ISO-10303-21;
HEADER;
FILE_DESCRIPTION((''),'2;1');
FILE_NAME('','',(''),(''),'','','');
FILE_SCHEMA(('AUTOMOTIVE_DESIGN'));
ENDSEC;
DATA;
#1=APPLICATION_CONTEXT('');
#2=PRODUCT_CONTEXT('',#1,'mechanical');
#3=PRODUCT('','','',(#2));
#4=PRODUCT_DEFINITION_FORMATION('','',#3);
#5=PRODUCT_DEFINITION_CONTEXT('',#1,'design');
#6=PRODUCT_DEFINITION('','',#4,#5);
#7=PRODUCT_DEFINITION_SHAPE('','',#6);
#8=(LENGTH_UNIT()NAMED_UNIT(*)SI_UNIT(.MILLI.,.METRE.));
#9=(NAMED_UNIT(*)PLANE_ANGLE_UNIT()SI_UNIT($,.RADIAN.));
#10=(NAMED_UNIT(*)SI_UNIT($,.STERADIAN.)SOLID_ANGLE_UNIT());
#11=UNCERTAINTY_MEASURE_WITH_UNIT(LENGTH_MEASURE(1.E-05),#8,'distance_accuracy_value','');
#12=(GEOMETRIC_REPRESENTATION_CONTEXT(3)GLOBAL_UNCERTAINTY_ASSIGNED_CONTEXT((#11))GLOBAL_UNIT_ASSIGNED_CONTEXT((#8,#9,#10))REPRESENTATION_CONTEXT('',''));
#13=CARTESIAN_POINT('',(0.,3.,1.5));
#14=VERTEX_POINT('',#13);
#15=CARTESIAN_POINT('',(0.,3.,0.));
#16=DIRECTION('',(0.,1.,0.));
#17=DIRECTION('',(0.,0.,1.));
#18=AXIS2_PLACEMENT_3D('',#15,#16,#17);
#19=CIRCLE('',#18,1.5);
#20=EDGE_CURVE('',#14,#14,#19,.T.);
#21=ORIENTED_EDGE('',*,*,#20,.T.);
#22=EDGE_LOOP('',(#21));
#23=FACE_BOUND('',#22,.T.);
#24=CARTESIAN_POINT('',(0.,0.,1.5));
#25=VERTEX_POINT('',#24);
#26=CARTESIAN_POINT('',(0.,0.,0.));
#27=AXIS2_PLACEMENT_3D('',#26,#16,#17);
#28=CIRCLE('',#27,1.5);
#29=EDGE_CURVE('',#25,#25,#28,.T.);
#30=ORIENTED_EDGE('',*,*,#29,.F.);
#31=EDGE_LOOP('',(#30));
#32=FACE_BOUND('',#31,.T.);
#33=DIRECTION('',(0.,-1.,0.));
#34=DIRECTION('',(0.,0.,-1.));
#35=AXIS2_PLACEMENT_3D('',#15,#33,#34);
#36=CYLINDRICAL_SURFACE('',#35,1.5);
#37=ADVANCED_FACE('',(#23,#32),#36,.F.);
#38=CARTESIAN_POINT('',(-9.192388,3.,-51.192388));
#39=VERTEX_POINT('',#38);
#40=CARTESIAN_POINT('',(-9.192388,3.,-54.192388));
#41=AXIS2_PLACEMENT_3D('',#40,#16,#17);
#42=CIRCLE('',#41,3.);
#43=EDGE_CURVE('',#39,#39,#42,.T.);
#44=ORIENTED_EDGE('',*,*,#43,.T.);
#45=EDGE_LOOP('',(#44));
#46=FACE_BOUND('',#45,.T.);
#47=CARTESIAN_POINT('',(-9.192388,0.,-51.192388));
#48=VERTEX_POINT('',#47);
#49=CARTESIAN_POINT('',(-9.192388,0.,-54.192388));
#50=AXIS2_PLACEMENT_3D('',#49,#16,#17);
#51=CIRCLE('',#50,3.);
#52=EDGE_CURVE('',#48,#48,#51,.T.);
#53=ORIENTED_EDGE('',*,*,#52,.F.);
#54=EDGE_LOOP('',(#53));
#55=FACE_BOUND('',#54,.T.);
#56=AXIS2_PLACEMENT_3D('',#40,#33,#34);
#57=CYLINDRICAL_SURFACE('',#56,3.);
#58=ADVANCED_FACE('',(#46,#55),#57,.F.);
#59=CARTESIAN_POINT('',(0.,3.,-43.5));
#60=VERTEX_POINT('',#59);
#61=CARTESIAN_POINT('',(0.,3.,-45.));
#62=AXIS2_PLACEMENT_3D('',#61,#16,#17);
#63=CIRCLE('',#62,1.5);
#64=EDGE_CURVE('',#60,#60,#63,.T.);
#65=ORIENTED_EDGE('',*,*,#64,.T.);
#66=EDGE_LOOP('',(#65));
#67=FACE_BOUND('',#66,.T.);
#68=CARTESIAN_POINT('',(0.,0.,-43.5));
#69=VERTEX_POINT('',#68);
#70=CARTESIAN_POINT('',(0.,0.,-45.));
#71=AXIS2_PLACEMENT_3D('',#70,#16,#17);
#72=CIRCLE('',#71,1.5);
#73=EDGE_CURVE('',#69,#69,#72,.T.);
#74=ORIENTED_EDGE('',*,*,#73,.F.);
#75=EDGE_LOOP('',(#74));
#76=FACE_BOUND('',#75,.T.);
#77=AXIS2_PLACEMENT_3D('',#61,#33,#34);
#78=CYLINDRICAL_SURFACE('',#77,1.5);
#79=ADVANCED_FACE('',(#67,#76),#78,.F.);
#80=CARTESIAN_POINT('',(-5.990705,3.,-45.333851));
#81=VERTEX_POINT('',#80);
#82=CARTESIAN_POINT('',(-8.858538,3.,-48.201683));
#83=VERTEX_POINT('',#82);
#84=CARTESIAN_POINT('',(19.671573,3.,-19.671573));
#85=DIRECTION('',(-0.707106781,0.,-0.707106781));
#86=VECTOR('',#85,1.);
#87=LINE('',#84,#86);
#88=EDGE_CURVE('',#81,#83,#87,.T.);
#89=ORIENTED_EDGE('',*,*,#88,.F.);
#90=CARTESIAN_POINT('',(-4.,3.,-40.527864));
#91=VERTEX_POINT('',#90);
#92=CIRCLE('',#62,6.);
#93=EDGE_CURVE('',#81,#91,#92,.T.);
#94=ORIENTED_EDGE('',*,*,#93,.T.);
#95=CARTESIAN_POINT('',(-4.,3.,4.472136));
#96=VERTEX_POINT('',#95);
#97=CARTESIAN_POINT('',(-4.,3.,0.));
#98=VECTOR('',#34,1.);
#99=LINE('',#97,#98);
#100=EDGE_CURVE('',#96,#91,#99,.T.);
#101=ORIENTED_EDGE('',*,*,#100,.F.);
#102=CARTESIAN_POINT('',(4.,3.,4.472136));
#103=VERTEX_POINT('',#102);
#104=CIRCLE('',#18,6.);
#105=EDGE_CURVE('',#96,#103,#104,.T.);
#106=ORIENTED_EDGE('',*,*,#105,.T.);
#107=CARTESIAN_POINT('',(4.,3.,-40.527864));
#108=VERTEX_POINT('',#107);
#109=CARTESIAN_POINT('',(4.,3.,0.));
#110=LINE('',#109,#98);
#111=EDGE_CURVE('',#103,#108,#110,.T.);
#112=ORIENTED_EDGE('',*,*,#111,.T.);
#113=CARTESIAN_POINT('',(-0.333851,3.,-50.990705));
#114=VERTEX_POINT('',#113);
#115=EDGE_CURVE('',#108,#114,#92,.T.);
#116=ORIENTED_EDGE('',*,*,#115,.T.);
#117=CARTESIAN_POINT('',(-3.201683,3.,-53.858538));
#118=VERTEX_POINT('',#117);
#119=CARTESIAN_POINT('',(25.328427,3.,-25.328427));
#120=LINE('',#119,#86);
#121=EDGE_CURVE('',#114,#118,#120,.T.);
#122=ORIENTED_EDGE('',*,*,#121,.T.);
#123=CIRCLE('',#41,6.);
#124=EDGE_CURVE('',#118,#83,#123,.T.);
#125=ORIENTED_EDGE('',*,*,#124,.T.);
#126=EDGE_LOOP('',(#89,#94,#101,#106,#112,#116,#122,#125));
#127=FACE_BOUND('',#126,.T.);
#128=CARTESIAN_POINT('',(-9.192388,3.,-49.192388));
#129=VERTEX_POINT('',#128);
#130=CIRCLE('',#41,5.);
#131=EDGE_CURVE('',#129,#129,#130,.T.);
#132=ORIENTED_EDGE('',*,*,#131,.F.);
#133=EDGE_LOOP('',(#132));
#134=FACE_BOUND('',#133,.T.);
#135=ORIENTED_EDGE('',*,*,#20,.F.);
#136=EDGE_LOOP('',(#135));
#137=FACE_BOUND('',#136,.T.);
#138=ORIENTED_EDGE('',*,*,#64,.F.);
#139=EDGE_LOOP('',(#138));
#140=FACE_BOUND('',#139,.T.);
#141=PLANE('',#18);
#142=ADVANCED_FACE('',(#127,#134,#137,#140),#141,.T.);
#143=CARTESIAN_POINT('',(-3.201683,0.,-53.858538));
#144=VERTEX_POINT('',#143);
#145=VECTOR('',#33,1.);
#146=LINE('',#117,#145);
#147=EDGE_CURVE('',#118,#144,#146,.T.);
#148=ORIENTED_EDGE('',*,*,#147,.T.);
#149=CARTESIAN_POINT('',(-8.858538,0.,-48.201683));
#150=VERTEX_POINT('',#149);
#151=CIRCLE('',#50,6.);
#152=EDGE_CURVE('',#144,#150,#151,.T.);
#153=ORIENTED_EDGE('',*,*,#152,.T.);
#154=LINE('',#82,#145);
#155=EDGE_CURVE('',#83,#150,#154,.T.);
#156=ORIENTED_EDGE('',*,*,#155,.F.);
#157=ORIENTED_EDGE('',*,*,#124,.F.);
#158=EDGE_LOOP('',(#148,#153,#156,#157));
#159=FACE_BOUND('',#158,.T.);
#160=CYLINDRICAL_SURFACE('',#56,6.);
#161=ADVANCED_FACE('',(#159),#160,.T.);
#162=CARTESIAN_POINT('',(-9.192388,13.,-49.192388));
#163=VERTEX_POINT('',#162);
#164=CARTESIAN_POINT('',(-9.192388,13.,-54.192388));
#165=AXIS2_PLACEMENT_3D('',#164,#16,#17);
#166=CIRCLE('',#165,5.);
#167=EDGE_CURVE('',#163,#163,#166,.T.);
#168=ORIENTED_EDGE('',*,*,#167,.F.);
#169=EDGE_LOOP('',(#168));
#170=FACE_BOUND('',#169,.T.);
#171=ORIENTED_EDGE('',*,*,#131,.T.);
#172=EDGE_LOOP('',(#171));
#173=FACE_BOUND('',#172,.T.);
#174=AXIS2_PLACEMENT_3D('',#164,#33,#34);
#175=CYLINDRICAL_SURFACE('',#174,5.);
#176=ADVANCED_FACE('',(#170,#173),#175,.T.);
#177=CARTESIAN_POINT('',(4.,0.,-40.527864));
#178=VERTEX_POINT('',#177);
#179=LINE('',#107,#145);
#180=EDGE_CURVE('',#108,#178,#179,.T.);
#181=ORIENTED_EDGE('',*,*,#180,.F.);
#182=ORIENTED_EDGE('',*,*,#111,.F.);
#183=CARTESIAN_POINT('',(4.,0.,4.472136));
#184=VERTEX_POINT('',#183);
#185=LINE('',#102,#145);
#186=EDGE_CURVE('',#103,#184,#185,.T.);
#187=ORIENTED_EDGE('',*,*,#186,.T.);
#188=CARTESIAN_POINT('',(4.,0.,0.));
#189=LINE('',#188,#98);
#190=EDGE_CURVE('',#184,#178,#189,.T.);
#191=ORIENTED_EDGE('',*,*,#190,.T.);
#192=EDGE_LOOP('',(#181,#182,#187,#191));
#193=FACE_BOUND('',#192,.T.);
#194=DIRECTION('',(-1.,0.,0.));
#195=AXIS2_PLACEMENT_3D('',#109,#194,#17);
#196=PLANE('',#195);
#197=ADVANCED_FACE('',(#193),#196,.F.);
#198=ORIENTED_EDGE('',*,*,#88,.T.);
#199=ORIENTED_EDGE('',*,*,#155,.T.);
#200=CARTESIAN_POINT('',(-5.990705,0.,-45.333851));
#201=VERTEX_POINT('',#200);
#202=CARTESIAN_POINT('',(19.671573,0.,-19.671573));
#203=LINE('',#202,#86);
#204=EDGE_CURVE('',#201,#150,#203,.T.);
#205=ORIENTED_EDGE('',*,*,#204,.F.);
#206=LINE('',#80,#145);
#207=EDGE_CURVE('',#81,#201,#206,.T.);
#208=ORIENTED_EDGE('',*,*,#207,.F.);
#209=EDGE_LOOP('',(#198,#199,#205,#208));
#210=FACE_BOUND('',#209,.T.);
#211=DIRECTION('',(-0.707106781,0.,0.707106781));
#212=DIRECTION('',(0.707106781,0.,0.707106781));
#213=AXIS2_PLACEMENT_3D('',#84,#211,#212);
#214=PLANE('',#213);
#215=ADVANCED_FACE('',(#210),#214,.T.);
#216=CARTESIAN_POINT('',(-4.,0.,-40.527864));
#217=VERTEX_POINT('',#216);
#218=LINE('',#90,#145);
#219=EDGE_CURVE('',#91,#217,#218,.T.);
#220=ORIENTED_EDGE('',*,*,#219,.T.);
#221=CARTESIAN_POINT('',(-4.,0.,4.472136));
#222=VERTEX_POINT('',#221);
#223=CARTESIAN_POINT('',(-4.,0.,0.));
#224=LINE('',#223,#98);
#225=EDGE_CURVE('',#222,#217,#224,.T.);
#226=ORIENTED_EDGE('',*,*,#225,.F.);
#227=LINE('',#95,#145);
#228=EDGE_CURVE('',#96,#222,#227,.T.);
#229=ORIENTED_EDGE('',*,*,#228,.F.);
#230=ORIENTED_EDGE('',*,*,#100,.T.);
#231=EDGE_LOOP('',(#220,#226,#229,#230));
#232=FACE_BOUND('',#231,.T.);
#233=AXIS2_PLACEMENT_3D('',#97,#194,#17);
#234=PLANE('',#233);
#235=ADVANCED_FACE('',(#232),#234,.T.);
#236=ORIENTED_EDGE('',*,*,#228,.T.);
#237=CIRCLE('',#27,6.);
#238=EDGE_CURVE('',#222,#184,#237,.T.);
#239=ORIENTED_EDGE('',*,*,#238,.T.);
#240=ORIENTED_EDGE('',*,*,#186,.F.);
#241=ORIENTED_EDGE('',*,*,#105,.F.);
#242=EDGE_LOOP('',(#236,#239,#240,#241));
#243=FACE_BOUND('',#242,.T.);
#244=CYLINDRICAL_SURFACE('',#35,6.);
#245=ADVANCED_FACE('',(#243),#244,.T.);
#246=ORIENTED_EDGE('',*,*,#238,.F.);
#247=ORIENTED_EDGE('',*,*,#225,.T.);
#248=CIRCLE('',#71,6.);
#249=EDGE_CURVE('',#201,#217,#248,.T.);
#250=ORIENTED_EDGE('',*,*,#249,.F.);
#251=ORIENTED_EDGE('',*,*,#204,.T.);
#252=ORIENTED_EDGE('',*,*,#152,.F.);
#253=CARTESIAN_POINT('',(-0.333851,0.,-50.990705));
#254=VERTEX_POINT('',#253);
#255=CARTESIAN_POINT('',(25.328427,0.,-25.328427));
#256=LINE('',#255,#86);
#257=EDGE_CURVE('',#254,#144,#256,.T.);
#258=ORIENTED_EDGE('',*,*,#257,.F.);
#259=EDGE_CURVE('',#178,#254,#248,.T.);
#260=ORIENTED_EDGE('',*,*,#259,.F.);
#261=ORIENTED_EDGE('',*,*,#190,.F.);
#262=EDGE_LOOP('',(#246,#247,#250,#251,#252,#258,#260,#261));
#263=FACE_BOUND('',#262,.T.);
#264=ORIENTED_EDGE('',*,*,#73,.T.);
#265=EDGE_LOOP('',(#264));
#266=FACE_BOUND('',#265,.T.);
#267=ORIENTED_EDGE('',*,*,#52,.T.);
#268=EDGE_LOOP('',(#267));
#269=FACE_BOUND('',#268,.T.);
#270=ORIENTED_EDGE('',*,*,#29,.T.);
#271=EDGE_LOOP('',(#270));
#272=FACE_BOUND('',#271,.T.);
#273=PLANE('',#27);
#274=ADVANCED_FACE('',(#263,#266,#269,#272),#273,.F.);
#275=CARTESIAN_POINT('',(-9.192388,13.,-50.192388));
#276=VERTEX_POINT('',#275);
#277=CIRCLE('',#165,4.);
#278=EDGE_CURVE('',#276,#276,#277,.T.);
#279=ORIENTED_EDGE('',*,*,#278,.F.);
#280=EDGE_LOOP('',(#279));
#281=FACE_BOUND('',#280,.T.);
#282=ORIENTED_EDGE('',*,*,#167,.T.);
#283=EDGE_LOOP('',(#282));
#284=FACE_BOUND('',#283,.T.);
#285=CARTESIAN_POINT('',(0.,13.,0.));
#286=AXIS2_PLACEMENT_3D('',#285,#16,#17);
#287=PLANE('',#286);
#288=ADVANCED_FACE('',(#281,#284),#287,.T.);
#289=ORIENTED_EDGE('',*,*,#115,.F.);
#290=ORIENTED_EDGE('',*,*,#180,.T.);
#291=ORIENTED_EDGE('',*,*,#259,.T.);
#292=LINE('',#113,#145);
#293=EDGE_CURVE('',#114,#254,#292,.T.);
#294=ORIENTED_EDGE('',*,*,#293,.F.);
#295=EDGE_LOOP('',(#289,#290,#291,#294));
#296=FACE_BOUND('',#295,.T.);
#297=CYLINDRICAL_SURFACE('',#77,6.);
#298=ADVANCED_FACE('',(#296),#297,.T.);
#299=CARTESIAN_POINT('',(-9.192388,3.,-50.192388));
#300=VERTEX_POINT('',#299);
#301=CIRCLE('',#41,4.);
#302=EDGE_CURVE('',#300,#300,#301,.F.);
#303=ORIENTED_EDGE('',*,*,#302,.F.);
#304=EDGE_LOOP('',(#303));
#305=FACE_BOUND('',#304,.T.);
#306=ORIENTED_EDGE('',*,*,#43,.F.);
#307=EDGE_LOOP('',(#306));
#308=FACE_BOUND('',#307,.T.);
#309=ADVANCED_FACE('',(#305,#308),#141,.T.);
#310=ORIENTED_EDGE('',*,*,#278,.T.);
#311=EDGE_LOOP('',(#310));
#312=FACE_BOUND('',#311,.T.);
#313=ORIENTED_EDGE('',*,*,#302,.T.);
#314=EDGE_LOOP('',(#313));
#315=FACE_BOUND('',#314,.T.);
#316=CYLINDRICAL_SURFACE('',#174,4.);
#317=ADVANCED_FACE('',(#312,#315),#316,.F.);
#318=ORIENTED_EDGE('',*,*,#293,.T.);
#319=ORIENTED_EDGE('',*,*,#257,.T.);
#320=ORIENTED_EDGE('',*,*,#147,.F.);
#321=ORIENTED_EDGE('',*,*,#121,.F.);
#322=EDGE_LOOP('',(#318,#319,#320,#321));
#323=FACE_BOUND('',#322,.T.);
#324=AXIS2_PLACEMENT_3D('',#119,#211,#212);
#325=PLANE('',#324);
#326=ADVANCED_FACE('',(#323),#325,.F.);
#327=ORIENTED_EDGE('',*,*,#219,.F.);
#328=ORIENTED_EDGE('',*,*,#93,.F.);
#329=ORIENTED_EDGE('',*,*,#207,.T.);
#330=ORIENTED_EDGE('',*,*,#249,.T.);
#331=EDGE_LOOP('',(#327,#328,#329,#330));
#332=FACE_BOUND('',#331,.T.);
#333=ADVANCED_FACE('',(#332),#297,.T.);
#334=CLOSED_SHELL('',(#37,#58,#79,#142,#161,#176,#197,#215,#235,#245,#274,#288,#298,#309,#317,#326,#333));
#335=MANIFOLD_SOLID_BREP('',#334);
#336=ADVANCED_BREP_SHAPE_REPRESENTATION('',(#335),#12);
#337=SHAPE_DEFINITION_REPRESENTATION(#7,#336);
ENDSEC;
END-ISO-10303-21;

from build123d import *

# Parameters (mm, degrees)
ESQUISSE1_R        = 1.5
ESQUISSE1_R_2      = 4
ESQUISSE1_R_3      = 3
BOSS_EXTRU_1_DEPTH = 3
ESQUISSE2_R        = 5
ESQUISSE2_R_2      = 4
BOSS_EXTRU_2_DEPTH = 10


with BuildPart() as part:
    # Esquisse1 → Boss.-Extru.1 (new body)
    with BuildSketch(Plane(origin=(0, 0, 0), x_dir=(1, 0, 0), z_dir=(0, 1, 0))):
        with BuildLine():
            Line((-4, 4.472135955), (-4, -4.472135955))
            ThreePointArc((-4, -4.472135955), (0, -6), (4, -4.472135955))
            Line((4, -4.472135955), (4, 4.472135955))
            Line((4, 4.472135955), (4, 40.527864045))
            ThreePointArc((4, 40.527864045), (5.543277195, 47.296100594), (-0.333850535, 50.990704785))
            Line((-0.333850535, 50.990704785), (-3.201683371, 53.85853762))
            ThreePointArc((-3.201683371, 53.85853762), (-13.435028843, 58.435028843), (-8.85853762, 48.201683371))
            Line((-8.85853762, 48.201683371), (-5.990704785, 45.333850535))
            ThreePointArc((-5.990704785, 45.333850535), (-5.543277195, 42.703899406), (-4, 40.527864045))
            Line((-4, 40.527864045), (-4, 4.472135955))
        make_face()
        with Locations(Location((0, 0, 0), (0, 0, 270))):
            Circle(ESQUISSE1_R, mode=Mode.SUBTRACT)
        with Locations((-9.192388155, 54.192388155)):
            Circle(ESQUISSE1_R_2, mode=Mode.SUBTRACT)
        with Locations(Location((0, 45, 0), (0, 0, 270))):
            Circle(ESQUISSE1_R, mode=Mode.SUBTRACT)
        with Locations((-9.192388155, 54.192388155)):
            Circle(ESQUISSE1_R_2)
        with Locations(Location((-9.192388155, 54.192388155, 0), (0, 0, 270))):
            Circle(ESQUISSE1_R_3, mode=Mode.SUBTRACT)
    extrude(amount=BOSS_EXTRU_1_DEPTH)

    # Esquisse2 → Boss.-Extru.2 (add)
    with BuildSketch(Plane(origin=(0, 3, 0), x_dir=(1, 0, 0), z_dir=(0, 1, 0))):
        with Locations(Location((-9.192388155, 54.192388155, 0), (0, 0, 270))):
            Circle(ESQUISSE2_R)
        with Locations(Location((-9.192388155, 54.192388155, 0), (0, 0, 270))):
            Circle(ESQUISSE2_R_2, mode=Mode.SUBTRACT)
    extrude(amount=BOSS_EXTRU_2_DEPTH)


solid = part.part
